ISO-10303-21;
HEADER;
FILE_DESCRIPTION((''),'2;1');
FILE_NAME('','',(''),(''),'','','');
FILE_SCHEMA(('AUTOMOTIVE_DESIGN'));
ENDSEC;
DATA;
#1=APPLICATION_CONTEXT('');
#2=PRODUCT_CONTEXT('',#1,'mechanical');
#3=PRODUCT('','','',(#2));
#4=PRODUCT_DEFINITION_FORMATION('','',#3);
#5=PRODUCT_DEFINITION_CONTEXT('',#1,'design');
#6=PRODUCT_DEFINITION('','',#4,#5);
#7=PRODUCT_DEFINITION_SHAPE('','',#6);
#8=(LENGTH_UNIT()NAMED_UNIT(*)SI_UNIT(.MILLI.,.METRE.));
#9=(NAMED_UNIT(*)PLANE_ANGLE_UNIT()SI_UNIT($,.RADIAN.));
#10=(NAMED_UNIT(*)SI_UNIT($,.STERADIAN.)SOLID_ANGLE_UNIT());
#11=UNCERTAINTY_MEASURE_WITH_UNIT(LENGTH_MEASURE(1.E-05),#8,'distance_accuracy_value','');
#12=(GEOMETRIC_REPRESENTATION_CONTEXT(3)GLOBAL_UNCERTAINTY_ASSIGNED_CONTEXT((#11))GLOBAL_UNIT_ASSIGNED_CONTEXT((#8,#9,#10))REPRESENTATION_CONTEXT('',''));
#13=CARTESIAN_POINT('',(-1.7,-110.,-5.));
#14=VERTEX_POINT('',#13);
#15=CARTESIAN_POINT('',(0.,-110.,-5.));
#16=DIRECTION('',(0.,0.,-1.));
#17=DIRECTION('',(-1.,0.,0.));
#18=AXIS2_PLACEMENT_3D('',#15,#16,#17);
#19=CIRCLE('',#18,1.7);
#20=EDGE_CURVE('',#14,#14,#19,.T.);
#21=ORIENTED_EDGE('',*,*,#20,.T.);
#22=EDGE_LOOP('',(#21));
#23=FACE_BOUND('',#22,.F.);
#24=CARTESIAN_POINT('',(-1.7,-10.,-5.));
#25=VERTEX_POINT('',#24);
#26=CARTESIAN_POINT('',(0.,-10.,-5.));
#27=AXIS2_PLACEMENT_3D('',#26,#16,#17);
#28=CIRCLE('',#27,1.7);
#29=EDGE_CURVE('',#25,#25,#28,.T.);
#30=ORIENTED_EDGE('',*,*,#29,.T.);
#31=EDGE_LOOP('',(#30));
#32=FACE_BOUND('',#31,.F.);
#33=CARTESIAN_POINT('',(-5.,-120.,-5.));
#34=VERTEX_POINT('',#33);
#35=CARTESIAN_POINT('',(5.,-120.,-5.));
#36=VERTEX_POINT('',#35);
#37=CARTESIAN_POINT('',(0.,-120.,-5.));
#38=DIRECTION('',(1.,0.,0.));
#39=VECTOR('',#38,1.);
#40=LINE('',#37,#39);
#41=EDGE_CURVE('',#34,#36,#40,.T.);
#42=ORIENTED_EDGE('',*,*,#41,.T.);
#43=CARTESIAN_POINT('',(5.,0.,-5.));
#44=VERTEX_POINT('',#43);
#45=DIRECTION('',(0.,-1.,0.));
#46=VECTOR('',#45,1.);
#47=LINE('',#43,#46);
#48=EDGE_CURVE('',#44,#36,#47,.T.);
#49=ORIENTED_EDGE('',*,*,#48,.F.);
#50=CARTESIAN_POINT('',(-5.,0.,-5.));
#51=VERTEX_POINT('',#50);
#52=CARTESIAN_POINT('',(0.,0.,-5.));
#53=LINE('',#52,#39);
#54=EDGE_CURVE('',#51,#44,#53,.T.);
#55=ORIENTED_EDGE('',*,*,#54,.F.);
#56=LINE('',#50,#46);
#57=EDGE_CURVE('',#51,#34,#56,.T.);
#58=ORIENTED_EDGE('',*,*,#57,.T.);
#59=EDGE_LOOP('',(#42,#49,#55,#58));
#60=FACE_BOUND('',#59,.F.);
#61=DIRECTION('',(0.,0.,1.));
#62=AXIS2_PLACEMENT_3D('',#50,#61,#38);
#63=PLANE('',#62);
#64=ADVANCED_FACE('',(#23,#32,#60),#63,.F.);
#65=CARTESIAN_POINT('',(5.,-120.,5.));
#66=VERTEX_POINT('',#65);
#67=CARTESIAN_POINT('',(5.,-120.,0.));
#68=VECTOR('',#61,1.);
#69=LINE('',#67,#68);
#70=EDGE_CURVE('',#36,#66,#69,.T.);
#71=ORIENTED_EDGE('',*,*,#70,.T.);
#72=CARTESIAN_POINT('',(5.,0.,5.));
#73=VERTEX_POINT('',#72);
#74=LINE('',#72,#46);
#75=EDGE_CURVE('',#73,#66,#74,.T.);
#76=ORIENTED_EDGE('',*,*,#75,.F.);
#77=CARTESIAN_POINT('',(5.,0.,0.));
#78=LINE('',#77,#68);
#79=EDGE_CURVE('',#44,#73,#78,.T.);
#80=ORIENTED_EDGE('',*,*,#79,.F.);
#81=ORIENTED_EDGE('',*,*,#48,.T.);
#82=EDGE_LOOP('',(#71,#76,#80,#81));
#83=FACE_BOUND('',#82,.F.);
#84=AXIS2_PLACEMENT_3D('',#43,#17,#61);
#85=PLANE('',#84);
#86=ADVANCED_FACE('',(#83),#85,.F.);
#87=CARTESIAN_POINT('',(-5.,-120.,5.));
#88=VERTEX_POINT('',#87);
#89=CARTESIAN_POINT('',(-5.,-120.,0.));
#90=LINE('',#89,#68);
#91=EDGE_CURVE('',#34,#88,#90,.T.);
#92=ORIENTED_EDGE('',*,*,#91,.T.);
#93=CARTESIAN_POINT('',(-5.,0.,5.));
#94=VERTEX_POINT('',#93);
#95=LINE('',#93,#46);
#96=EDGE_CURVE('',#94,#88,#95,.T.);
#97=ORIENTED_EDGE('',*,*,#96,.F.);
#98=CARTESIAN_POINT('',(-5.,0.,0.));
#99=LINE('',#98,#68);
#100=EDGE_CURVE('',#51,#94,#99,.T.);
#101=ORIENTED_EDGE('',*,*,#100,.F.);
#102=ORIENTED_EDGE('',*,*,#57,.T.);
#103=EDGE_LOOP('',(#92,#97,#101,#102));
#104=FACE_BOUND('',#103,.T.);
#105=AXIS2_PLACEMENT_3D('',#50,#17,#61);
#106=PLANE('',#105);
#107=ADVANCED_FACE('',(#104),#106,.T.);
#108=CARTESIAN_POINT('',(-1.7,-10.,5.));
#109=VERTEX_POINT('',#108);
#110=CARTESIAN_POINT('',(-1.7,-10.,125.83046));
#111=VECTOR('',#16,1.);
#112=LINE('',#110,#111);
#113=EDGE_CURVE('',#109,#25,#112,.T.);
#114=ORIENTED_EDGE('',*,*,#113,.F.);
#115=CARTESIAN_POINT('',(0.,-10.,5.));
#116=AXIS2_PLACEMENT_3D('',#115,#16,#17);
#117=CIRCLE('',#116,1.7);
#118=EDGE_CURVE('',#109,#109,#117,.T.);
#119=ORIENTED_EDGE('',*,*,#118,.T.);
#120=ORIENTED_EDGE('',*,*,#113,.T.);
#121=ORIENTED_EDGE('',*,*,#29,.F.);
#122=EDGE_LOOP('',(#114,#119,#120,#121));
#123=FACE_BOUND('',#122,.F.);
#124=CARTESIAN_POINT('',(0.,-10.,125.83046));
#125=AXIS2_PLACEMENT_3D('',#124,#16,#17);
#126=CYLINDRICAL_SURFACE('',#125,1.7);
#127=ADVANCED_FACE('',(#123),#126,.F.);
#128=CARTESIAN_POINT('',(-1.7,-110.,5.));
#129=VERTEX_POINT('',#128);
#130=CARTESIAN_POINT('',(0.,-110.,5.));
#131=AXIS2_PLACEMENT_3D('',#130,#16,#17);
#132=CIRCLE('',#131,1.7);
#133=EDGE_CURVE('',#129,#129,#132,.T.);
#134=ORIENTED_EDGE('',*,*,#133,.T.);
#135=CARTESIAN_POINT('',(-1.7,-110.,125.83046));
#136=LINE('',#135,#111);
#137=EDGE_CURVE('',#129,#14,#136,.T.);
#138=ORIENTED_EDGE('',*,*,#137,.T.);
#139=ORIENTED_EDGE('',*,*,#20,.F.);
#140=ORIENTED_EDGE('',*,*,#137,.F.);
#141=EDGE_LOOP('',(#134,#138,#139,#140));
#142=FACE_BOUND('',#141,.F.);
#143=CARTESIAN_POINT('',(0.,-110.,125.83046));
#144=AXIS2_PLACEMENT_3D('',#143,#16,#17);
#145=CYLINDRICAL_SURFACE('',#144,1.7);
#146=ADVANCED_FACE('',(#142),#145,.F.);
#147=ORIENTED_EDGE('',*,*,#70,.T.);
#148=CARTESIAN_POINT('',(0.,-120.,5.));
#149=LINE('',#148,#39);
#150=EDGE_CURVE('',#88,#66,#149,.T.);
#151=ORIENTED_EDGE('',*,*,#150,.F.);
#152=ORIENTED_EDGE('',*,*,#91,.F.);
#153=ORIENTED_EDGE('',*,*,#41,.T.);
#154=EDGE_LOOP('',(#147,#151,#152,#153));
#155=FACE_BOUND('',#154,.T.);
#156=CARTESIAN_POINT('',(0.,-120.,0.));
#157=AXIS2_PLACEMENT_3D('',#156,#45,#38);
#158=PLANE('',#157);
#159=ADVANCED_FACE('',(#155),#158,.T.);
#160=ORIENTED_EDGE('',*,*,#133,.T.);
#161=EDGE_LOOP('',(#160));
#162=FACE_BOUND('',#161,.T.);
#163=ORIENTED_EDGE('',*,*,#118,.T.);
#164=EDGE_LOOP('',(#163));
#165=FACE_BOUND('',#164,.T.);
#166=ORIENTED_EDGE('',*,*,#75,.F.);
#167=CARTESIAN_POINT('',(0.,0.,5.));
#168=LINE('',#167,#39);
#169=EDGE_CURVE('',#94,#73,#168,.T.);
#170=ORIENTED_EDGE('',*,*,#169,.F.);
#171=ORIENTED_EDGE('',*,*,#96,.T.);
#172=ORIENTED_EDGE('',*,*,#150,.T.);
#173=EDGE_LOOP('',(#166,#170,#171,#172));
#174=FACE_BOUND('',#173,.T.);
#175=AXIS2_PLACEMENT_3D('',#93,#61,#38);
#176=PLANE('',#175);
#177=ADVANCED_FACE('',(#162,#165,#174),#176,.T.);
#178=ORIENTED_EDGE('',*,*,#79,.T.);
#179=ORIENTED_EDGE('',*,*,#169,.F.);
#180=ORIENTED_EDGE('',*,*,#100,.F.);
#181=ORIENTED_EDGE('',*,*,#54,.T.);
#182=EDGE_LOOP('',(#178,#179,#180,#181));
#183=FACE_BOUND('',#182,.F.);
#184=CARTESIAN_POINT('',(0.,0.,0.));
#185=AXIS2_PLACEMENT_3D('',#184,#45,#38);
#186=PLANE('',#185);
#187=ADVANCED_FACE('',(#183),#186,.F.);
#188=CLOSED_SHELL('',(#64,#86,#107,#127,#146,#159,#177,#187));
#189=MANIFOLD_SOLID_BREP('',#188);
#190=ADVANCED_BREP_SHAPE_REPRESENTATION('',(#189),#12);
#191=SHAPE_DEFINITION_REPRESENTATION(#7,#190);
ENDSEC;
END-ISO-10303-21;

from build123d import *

# Parameters (mm, degrees)
F0_W     = 10
F0_H     = 10
F1_DEPTH = 120
F3_D     = 3.4


with BuildPart() as f1:
    # F0 (on Front) → F1 (new body)
    with BuildSketch(Plane.XZ):
        Rectangle(F0_W, F0_H)
    extrude(amount=F1_DEPTH)

    # F3 (through all)
    with Locations(Plane.XY.offset(5)):
        with Locations((0, -10), (0, -110)):
            Hole(F3_D / 2)


solid = f1.part
